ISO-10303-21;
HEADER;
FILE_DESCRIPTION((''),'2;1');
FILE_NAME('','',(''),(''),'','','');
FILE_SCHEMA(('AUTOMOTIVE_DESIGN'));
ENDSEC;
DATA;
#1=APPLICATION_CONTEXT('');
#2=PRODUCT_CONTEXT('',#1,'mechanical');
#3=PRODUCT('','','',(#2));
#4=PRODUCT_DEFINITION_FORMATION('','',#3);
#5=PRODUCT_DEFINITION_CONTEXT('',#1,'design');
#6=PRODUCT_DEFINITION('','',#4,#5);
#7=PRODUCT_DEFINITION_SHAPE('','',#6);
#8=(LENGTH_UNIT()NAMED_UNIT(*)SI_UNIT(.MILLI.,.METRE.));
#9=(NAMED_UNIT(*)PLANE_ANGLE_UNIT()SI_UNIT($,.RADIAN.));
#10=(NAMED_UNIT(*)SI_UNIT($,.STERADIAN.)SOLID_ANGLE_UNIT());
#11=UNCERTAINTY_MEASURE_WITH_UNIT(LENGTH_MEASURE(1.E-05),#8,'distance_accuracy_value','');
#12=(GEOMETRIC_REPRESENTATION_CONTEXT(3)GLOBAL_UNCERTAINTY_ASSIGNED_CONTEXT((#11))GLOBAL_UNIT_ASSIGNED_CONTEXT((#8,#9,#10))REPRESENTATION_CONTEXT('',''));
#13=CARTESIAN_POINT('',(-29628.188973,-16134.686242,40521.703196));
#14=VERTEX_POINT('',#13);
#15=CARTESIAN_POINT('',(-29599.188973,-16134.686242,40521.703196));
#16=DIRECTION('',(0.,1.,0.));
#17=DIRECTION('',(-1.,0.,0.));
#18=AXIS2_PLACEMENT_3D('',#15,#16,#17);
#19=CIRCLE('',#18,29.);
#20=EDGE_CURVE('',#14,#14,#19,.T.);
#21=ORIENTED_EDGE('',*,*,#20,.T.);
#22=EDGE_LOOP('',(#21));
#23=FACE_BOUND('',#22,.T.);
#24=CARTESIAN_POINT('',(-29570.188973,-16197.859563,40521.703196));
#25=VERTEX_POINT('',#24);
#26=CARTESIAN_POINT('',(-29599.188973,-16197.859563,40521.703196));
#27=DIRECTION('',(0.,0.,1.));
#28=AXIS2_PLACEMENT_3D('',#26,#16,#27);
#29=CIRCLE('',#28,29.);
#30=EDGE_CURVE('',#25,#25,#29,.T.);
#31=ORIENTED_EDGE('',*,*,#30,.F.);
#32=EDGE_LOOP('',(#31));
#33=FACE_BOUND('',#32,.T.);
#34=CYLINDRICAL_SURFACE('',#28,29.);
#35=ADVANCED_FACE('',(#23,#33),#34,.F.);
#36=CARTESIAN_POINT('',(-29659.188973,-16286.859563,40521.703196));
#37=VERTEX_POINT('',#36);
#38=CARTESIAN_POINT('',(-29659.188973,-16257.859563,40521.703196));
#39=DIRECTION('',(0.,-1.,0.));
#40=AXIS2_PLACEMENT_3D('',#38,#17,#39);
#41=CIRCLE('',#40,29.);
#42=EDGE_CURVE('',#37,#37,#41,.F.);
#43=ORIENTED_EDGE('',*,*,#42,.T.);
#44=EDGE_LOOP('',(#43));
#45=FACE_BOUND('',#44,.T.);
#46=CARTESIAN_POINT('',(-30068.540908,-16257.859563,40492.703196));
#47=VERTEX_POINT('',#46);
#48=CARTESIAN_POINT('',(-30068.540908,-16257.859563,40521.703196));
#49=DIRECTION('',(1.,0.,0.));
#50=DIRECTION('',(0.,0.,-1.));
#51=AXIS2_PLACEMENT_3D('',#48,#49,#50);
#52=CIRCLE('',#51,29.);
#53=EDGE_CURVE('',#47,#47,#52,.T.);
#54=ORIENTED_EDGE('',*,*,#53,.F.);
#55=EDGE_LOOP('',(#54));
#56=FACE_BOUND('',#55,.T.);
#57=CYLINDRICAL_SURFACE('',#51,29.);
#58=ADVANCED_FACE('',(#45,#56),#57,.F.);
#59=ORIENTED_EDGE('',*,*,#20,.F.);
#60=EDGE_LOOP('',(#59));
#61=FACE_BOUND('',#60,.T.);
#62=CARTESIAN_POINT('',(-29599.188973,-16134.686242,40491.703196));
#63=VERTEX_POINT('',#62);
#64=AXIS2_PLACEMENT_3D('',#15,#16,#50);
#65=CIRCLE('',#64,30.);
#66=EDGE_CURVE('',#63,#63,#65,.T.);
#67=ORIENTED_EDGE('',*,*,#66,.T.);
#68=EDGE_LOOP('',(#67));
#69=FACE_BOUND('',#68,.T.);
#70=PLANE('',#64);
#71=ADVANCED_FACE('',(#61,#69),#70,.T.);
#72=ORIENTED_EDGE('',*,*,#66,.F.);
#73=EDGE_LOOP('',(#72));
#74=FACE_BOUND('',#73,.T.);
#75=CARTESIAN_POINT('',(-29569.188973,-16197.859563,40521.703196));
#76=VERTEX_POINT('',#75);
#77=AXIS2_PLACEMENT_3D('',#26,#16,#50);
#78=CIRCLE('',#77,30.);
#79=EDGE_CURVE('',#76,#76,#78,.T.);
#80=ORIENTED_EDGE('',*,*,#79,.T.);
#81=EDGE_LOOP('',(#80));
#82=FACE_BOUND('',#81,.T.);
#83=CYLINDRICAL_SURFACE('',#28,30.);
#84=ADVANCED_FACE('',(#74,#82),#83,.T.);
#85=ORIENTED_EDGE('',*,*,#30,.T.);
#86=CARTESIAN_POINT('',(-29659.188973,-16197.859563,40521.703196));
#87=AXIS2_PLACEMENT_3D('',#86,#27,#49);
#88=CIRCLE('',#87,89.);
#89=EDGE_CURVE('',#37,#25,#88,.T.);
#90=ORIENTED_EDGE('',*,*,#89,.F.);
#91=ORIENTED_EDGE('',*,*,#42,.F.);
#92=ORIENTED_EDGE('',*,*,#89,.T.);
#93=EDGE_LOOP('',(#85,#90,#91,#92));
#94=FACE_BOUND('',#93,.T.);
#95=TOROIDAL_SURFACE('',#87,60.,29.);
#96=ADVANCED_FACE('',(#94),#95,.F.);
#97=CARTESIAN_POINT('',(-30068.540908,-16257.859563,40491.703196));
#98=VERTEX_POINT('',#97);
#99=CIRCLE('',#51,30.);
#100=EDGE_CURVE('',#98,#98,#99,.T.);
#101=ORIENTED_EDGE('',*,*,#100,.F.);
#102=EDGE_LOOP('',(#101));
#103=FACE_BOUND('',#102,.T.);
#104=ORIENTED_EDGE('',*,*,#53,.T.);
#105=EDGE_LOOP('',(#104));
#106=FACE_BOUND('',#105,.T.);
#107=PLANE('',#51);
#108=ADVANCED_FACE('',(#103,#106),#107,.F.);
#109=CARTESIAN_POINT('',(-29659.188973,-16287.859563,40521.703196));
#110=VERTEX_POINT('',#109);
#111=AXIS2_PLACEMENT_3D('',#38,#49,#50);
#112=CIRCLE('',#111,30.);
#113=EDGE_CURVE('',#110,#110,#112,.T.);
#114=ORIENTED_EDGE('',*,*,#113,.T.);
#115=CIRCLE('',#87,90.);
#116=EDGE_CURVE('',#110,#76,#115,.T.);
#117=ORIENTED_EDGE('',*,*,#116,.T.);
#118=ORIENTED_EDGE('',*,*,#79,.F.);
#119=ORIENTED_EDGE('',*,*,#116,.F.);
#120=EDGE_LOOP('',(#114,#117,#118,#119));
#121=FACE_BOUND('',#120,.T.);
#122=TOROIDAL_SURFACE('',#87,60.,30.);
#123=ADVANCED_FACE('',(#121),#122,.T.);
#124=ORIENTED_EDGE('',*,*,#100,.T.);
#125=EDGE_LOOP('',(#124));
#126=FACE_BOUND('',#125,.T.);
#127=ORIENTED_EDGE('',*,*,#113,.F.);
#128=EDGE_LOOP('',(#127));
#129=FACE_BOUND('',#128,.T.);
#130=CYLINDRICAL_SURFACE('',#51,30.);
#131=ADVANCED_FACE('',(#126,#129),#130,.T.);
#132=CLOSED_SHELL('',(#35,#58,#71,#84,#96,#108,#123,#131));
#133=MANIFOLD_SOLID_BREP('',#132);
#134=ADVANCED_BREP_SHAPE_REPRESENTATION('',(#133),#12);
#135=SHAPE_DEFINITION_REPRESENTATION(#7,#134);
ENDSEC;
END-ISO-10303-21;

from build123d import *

# Parameters (mm, degrees)
SWEEP_THIN1_PROFILE_R   = 30
SWEEP_THIN1_PROFILE_R_2 = 29


with BuildPart() as part:
    # Sweep-Thin1: sweep along a curve in space
    with BuildLine() as sweep_thin1_path:
        Line((-30068.540907505, -16257.859563295, 40521.703196056), (-29659.188972505, -16257.859563295, 40521.703196056))
        ThreePointArc((-29599.188972505, -16197.859563295, 40521.703196056), (-29616.762565634, -16240.285970167, 40521.703196056), (-29659.188972505, -16257.859563295, 40521.703196056))
        Line((-29599.188972505, -16197.859563295, 40521.703196056), (-29599.188972505, -16134.686242211, 40521.703196056))
    # Sweep-Thin1 profile (on start of the path) → Sweep-Thin1 (sweep)
    with BuildSketch(Plane(origin=(-30068.540907505, -16257.859563295, 40521.703196056), x_dir=(0, 0, 1), z_dir=(1, 0, 0))):
        Circle(SWEEP_THIN1_PROFILE_R)
        Circle(SWEEP_THIN1_PROFILE_R_2, mode=Mode.SUBTRACT)
    sweep(path=sweep_thin1_path.line)


solid = part.part
